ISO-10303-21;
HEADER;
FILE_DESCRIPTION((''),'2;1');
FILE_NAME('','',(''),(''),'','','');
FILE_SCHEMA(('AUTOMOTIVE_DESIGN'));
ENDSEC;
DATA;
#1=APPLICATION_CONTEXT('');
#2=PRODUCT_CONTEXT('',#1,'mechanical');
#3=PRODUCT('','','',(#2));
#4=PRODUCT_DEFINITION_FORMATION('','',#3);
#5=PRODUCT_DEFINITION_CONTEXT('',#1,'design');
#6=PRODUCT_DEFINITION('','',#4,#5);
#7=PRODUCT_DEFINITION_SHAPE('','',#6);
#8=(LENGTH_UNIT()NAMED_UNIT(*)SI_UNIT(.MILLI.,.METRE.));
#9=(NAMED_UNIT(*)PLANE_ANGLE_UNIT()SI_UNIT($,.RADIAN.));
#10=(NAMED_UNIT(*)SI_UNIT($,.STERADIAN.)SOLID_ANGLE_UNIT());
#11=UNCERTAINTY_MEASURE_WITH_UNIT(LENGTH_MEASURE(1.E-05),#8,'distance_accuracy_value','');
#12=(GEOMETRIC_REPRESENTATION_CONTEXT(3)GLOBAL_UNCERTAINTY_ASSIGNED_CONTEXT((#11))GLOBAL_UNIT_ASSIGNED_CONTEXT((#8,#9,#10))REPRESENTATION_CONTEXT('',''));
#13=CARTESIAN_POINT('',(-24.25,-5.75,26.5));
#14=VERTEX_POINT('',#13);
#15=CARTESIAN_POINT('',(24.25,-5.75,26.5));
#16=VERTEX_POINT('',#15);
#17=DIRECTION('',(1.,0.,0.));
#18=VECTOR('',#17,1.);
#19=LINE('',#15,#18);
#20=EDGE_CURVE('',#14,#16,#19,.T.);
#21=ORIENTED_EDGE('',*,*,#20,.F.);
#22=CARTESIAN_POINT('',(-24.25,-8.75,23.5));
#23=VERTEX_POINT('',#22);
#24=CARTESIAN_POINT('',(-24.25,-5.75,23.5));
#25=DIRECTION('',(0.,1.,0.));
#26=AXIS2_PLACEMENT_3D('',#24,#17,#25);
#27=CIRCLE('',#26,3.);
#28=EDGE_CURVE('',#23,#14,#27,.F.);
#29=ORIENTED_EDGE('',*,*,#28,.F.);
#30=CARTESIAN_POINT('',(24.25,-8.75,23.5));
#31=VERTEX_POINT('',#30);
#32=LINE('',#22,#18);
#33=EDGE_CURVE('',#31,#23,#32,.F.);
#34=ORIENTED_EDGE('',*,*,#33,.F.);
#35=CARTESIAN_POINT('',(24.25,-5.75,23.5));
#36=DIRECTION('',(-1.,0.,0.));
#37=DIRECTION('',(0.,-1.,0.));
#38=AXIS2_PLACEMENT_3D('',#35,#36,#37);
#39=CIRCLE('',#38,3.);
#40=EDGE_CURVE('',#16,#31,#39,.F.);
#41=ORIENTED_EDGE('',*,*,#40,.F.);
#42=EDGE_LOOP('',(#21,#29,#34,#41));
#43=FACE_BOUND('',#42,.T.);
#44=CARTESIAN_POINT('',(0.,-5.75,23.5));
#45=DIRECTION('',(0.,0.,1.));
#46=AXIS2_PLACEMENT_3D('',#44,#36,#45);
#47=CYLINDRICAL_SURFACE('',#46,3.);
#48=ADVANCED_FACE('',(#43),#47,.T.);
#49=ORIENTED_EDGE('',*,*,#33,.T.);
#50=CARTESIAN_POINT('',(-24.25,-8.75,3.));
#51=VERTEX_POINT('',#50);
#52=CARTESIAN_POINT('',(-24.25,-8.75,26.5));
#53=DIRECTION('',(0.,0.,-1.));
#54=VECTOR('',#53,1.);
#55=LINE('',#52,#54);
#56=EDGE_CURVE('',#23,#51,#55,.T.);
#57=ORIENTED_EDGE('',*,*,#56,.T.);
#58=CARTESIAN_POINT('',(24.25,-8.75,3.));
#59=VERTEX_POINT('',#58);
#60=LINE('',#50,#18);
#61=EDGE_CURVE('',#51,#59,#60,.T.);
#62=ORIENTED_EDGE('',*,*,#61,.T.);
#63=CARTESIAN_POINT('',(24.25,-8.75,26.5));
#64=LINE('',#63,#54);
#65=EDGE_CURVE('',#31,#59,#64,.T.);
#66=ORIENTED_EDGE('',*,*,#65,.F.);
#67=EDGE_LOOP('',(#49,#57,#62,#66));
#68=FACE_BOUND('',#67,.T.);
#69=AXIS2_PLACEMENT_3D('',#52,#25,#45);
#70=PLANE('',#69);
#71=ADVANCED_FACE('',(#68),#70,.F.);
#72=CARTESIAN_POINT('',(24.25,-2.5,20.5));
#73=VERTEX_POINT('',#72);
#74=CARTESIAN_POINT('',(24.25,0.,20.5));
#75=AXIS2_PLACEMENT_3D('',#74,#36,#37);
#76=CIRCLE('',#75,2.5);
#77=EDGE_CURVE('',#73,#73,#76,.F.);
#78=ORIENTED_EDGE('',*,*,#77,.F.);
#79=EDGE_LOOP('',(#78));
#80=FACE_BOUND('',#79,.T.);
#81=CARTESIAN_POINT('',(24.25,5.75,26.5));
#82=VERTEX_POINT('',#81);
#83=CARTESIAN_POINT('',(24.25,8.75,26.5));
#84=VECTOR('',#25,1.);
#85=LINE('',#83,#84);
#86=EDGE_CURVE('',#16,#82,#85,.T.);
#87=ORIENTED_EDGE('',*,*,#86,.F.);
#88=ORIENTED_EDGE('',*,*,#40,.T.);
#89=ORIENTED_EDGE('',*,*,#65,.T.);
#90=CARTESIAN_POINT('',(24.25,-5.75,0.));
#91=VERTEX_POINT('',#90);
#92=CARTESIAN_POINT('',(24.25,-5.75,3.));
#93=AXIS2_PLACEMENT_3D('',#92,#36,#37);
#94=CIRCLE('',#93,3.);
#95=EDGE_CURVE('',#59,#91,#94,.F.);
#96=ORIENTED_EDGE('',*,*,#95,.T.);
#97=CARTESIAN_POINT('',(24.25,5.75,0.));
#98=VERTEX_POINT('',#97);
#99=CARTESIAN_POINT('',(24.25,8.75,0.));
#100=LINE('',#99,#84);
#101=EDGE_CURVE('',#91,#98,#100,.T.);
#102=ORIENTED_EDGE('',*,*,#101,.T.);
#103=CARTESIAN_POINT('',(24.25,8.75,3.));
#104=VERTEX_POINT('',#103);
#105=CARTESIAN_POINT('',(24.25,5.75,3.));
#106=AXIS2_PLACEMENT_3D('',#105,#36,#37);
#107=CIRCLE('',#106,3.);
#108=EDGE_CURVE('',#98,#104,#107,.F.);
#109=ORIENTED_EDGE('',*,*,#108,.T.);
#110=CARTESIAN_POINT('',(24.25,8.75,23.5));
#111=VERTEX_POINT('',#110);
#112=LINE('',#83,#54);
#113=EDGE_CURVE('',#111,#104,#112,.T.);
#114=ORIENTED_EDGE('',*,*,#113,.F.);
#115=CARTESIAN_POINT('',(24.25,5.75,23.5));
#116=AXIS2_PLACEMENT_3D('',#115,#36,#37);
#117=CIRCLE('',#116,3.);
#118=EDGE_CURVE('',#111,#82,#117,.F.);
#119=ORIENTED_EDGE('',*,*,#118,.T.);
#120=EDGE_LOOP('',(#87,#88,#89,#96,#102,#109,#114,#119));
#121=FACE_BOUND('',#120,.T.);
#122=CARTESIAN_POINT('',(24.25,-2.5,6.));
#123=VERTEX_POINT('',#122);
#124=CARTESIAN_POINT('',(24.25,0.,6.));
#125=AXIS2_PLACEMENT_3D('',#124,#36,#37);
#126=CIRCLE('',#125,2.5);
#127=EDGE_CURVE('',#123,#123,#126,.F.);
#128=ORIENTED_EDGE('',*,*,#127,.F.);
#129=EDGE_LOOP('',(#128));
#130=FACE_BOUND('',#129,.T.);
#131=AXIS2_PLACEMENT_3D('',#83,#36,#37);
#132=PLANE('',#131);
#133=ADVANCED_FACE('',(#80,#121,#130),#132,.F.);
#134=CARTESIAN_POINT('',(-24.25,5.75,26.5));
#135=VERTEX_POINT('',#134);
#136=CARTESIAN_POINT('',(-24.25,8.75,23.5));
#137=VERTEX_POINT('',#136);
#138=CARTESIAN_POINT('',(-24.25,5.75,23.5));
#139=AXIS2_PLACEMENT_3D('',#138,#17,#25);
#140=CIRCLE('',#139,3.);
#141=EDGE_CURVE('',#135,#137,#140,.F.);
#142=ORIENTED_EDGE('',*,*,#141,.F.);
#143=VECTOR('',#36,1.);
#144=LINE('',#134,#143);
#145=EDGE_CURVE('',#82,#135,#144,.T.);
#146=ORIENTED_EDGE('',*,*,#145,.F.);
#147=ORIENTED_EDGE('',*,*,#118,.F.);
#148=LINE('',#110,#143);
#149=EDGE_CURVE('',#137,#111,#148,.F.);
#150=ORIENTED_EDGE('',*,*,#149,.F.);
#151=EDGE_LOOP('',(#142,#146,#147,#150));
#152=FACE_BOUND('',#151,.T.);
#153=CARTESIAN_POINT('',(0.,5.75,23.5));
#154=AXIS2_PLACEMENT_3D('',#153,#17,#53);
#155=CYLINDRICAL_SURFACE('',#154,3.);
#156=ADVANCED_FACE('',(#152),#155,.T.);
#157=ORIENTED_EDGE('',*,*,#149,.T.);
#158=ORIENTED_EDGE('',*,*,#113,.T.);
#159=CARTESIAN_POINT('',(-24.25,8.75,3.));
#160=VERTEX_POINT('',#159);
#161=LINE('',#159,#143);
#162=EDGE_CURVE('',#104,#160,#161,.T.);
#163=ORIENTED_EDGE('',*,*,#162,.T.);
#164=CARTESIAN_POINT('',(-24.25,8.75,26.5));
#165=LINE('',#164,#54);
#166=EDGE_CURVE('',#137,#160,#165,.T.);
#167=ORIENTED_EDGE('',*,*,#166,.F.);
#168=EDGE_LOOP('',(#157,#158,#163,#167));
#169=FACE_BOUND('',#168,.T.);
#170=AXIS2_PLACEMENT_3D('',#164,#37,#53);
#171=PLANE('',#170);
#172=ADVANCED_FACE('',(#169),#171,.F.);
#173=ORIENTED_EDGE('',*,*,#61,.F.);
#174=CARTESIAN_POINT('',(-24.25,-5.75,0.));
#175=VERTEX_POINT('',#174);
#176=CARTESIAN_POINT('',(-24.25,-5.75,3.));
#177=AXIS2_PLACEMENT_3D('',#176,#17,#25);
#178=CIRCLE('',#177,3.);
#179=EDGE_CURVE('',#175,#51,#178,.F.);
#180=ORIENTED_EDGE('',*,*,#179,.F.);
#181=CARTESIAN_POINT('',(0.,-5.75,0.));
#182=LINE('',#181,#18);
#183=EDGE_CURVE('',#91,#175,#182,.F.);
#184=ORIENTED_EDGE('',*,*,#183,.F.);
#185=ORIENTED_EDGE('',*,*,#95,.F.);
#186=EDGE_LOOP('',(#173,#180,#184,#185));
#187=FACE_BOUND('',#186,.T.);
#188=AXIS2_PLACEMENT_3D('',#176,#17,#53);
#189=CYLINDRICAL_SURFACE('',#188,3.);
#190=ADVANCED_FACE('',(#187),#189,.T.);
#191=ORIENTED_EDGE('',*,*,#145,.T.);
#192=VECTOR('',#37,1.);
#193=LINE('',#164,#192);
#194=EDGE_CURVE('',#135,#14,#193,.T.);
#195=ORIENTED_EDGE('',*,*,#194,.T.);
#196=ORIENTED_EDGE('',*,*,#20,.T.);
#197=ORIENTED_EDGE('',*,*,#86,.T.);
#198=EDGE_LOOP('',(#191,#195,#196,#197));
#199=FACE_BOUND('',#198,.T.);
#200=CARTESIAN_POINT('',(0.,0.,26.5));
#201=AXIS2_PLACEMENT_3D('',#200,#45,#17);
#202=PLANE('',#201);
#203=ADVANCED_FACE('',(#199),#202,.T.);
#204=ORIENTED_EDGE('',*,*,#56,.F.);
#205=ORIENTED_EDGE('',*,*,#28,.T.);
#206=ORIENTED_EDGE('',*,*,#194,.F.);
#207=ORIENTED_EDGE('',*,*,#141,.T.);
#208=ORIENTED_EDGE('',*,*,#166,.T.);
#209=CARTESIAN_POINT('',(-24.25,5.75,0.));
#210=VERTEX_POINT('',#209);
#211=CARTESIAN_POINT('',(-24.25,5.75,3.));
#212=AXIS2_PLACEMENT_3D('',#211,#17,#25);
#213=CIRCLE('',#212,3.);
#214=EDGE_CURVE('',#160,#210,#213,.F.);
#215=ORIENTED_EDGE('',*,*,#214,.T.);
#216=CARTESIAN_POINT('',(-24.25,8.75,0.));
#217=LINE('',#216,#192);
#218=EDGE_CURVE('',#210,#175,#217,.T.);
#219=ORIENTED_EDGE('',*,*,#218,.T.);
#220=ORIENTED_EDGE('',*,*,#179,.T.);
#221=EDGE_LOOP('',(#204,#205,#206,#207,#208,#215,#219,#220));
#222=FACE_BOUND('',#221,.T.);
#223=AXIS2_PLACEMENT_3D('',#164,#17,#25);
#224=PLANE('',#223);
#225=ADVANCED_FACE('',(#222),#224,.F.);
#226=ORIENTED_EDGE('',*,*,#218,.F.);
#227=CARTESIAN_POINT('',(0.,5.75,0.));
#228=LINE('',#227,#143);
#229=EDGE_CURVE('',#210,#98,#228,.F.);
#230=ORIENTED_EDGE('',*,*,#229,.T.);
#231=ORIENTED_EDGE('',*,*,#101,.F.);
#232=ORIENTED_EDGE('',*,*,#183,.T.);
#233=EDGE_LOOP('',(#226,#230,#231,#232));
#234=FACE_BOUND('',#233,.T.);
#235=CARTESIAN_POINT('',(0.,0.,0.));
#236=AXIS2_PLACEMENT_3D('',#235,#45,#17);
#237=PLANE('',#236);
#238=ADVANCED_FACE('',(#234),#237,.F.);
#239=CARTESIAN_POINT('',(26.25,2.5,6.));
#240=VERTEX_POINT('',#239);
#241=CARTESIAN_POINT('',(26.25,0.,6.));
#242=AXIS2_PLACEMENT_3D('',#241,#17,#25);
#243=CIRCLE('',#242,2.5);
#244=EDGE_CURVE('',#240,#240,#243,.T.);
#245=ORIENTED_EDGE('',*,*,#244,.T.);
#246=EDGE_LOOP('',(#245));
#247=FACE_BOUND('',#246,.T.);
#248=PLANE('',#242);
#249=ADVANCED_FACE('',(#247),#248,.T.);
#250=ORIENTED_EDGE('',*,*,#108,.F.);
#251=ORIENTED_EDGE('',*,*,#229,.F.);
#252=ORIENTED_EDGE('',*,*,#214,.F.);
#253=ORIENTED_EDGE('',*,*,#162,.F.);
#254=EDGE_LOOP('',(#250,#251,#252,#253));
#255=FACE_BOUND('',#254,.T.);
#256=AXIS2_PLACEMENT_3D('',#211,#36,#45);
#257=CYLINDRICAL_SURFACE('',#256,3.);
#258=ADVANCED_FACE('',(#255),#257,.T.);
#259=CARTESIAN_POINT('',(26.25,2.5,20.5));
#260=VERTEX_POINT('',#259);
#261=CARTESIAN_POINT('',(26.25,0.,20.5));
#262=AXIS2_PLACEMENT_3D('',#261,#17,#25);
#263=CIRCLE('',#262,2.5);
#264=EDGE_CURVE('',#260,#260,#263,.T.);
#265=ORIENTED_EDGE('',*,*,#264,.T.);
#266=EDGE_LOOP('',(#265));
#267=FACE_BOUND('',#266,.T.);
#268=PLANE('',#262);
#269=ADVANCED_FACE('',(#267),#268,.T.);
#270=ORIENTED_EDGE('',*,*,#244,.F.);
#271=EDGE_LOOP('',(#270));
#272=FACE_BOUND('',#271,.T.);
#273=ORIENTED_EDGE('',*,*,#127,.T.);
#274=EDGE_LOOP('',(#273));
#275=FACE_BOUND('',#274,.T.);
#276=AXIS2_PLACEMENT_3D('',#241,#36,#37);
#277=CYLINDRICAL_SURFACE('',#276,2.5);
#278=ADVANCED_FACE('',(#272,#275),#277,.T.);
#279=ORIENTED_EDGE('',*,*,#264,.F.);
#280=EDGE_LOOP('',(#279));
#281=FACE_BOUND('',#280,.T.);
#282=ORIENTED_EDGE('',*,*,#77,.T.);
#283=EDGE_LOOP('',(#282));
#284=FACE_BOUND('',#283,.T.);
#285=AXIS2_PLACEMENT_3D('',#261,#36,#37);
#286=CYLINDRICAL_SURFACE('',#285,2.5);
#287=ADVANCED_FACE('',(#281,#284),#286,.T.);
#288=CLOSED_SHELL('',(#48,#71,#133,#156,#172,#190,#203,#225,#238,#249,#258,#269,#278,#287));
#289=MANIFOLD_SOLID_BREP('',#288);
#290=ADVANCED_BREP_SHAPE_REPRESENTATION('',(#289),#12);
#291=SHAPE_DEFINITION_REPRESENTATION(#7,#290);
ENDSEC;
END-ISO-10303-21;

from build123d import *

# Parameters (mm, degrees)
SKETCH_1_W      = 48.5
SKETCH_1_H      = 17.5
EXTRUDE_1_DEPTH = 26.5
FILLET_1_R      = 3
SKETCH_2_R      = 2.5
EXTRUDE_2_DEPTH = 2


with BuildPart() as part:
    # ｽｹｯﾁ1 → ﾎﾞｽ - 押し出し1 (new body)
    with BuildSketch(Plane.XY):
        Rectangle(SKETCH_1_W, SKETCH_1_H)
    extrude(amount=EXTRUDE_1_DEPTH)

    # ﾌｨﾚｯﾄ1
    fillet_1_edges = [part.edges().sort_by_distance(p)[0] for p in [
        (0, -8.75, 26.5),
        (0, -8.75, 0),
        (0, 8.75, 0),
        (0, 8.75, 26.5),
    ]]
    fillet(fillet_1_edges, radius=FILLET_1_R)

    # ｽｹｯﾁ2 → ﾎﾞｽ - 押し出し2 (add)
    with BuildSketch(Plane(origin=(24.25, 0, 0), x_dir=(0, 0, -1), z_dir=(1, 0, 0))):
        with Locations(Location((-20.5, 0, 0), (0, 0, 270))):
            Circle(SKETCH_2_R)
        with Locations(Location((-6, 0, 0), (0, 0, 270))):
            Circle(SKETCH_2_R)
    extrude(amount=EXTRUDE_2_DEPTH)


solid = part.part
